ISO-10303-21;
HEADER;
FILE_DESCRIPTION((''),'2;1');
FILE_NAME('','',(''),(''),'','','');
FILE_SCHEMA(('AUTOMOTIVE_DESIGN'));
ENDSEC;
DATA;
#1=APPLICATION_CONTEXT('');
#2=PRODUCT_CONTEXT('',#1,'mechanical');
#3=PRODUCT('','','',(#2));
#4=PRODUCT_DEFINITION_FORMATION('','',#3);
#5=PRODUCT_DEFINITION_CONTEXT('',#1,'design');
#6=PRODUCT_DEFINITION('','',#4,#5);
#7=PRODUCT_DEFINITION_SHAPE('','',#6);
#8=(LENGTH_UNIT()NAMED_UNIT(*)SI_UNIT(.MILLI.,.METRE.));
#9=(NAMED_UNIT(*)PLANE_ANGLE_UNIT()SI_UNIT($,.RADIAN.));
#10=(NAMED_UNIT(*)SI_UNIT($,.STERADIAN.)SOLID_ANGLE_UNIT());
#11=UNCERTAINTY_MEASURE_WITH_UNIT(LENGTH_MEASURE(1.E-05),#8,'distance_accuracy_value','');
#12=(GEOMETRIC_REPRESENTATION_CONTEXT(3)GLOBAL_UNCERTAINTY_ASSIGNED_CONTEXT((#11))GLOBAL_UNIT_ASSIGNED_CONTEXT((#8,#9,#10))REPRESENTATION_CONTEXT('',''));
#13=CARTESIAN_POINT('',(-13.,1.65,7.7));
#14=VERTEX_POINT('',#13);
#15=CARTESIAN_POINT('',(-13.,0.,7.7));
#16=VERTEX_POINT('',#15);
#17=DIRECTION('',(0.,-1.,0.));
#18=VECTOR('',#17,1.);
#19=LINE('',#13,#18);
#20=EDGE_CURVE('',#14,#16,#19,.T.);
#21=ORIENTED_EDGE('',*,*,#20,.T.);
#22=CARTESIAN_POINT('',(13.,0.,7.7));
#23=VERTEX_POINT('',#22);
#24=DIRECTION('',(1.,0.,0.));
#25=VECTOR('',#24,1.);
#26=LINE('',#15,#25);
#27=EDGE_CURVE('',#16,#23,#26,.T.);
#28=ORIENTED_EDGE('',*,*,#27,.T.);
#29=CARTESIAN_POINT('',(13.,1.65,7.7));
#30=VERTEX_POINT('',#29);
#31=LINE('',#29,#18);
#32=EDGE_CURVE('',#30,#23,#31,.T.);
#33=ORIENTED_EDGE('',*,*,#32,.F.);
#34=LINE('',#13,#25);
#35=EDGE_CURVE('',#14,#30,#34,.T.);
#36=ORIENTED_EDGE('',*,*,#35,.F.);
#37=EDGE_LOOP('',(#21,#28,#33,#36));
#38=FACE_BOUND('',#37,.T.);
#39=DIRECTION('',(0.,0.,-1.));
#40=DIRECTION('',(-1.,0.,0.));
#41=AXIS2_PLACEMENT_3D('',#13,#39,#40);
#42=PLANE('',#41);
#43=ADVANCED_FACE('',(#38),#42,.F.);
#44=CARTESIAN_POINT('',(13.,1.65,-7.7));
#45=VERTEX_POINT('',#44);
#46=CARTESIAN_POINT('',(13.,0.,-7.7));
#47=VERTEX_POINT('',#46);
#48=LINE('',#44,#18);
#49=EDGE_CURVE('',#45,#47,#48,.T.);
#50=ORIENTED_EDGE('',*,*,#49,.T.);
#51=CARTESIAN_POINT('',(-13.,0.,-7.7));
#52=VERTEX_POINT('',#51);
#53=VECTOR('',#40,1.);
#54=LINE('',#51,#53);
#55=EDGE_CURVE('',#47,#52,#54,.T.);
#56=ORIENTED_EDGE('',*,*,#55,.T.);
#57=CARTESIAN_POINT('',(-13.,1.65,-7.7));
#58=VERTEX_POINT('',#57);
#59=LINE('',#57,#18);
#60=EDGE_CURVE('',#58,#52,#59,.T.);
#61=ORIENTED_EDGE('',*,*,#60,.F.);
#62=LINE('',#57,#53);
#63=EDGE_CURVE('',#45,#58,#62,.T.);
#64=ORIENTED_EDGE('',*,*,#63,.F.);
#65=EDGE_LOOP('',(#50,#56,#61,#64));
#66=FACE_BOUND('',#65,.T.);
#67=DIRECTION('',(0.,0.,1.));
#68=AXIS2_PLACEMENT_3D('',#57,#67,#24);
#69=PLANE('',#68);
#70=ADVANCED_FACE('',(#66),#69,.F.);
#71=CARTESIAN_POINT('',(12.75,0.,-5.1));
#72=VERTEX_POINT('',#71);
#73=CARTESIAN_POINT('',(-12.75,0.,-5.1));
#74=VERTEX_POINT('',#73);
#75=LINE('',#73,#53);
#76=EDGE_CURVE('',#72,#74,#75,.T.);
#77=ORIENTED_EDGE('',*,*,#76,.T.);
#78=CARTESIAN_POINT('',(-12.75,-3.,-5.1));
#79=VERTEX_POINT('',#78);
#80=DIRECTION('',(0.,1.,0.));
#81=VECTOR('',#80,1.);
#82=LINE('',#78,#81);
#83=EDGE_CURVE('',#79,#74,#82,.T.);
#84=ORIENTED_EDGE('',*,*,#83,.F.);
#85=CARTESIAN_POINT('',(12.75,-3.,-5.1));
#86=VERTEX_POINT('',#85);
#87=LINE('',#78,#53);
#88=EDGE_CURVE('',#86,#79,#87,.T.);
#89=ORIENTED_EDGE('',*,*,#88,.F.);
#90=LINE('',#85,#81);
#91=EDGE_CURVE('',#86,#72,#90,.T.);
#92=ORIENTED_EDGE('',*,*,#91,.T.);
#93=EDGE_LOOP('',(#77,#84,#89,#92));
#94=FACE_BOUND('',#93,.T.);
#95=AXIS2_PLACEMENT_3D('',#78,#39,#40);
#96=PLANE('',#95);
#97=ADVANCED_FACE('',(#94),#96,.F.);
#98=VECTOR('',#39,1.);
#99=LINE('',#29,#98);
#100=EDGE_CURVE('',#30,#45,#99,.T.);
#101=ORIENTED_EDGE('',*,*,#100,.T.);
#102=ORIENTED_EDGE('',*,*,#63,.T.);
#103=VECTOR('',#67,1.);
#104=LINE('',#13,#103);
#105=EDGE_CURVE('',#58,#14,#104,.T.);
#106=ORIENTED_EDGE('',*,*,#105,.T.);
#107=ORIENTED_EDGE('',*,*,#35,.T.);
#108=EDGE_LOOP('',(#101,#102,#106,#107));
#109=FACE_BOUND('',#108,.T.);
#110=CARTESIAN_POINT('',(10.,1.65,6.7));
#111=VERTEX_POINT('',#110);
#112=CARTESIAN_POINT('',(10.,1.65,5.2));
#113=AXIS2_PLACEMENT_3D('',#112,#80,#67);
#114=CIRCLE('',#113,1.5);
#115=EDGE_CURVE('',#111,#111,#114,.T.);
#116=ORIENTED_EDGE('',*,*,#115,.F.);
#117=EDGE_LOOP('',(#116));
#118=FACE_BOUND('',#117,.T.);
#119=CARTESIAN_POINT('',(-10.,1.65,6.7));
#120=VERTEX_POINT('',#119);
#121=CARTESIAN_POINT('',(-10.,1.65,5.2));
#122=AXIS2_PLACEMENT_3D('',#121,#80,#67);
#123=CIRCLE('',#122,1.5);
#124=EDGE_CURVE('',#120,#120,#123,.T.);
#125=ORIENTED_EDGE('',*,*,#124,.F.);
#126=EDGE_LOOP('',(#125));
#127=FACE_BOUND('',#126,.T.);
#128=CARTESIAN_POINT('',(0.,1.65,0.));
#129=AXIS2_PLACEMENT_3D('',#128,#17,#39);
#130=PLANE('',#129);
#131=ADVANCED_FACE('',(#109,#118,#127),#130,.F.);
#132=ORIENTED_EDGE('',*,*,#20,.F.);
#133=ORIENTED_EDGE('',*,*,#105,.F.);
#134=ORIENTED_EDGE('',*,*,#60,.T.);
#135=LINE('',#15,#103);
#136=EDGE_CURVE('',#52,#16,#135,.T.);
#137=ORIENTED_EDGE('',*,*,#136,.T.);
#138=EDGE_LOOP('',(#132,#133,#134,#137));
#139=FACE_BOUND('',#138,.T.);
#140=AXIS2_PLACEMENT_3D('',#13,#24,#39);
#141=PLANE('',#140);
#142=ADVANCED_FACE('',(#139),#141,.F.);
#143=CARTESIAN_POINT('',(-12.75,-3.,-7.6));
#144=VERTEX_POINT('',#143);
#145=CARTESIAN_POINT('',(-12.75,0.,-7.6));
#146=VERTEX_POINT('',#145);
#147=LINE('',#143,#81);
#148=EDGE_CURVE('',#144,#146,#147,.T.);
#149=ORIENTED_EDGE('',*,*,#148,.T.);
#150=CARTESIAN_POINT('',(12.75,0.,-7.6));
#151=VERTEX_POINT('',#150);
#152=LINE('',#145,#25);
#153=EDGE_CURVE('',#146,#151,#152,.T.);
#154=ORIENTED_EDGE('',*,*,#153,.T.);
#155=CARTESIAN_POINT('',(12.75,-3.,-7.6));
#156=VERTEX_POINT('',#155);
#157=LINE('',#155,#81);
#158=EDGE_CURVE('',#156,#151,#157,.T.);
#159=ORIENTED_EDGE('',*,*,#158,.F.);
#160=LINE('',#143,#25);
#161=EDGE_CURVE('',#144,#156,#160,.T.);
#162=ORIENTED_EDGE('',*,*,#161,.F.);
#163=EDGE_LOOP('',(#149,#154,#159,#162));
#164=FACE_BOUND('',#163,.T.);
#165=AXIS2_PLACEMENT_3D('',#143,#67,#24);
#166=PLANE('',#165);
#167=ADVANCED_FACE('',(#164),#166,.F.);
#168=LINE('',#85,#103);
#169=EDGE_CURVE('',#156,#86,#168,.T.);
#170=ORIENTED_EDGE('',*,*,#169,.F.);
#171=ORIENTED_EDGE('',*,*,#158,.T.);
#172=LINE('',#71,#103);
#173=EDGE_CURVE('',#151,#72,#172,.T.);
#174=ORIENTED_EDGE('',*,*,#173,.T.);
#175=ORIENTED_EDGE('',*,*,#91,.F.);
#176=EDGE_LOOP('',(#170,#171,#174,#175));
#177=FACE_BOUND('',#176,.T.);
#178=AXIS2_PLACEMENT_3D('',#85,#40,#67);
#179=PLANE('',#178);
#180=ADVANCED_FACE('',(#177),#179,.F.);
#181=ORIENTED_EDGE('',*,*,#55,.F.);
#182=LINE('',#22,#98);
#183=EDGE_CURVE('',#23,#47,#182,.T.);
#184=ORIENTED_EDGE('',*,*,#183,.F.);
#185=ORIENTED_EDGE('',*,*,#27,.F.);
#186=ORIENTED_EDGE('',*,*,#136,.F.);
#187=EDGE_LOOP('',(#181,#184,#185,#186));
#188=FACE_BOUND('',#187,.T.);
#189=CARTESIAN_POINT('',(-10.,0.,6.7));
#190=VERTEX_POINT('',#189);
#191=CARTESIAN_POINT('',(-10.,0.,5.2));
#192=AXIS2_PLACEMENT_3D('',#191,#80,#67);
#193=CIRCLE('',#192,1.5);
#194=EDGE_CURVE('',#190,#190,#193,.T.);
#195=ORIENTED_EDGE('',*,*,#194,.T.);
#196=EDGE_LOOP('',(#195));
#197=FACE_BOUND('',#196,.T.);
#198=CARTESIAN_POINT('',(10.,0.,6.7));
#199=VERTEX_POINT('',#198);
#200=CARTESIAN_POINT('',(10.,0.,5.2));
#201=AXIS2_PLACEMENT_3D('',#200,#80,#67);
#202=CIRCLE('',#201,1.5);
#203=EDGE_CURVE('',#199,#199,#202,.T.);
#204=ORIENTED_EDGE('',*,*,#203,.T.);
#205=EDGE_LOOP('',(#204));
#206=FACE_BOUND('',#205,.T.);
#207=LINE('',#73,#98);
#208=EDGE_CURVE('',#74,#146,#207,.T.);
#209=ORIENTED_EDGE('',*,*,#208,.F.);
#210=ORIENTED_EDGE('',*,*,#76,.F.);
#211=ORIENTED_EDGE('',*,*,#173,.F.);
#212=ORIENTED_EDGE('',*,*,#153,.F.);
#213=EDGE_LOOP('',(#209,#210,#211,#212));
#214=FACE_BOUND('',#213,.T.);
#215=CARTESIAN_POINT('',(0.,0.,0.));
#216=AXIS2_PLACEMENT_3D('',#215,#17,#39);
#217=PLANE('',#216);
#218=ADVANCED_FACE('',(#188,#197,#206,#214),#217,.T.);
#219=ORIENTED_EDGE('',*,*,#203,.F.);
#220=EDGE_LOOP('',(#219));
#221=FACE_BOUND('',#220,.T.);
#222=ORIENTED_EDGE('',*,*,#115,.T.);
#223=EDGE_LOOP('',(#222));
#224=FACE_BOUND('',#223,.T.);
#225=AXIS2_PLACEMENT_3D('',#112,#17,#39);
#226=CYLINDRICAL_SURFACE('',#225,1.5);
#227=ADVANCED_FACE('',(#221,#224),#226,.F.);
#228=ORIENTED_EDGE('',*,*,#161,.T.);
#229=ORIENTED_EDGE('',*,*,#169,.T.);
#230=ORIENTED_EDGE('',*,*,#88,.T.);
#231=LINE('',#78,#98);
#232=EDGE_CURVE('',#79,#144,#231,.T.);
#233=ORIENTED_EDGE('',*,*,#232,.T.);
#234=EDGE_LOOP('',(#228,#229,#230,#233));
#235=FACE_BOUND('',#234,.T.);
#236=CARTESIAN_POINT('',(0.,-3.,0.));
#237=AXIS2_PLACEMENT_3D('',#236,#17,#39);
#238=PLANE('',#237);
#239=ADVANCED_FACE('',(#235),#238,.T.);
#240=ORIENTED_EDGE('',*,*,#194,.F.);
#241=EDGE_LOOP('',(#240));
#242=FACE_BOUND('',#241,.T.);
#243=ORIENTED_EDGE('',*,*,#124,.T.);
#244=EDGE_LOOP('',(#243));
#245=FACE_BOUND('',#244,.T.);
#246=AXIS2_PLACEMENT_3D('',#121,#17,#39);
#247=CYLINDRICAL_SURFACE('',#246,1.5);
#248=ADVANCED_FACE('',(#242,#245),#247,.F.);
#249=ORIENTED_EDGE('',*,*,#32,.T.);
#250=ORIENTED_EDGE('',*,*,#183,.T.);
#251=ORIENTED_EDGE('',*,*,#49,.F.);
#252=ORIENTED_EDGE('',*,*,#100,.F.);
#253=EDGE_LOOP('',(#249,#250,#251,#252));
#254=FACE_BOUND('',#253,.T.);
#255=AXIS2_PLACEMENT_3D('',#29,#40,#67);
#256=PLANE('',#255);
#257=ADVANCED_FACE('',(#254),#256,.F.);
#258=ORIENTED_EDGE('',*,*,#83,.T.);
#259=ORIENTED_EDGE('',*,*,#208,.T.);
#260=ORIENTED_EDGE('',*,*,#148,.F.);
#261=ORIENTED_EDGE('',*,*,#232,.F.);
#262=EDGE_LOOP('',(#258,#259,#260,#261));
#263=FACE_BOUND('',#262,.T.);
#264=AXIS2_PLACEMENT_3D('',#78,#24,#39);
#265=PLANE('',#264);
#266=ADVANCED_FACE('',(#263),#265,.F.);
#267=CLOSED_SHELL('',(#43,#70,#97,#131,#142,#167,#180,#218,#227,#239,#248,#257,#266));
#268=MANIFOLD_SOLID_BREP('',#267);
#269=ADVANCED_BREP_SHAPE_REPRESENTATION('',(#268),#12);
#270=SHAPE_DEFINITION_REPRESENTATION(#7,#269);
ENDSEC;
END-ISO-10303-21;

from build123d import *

# Parameters (mm, degrees)
SKETCH1_W           = 26
SKETCH1_H           = 15.4
SKETCH1_R           = 1.5
BOSS_EXTRUDE1_DEPTH = 1.65
SKETCH2_W           = 25.5
SKETCH2_H           = 2.5
BOSS_EXTRUDE2_DEPTH = 3


with BuildPart() as part:
    # Sketch1 → Boss-Extrude1 (new body)
    with BuildSketch(Plane(origin=(0, 0, 0), x_dir=(1, 0, 0), z_dir=(0, 1, 0))):
        Rectangle(SKETCH1_W, SKETCH1_H)
        with Locations(Location((-10, -5.2, 0), (0, 0, 270))):
            Circle(SKETCH1_R, mode=Mode.SUBTRACT)
        with Locations(Location((10, -5.2, 0), (0, 0, 270))):
            Circle(SKETCH1_R, mode=Mode.SUBTRACT)
    extrude(amount=BOSS_EXTRUDE1_DEPTH)

    # Sketch2 → Boss-Extrude2 (add)
    with BuildSketch(Plane.XZ):
        with Locations((0, -6.35)):
            Rectangle(SKETCH2_W, SKETCH2_H)
    extrude(amount=BOSS_EXTRUDE2_DEPTH)


solid = part.part
